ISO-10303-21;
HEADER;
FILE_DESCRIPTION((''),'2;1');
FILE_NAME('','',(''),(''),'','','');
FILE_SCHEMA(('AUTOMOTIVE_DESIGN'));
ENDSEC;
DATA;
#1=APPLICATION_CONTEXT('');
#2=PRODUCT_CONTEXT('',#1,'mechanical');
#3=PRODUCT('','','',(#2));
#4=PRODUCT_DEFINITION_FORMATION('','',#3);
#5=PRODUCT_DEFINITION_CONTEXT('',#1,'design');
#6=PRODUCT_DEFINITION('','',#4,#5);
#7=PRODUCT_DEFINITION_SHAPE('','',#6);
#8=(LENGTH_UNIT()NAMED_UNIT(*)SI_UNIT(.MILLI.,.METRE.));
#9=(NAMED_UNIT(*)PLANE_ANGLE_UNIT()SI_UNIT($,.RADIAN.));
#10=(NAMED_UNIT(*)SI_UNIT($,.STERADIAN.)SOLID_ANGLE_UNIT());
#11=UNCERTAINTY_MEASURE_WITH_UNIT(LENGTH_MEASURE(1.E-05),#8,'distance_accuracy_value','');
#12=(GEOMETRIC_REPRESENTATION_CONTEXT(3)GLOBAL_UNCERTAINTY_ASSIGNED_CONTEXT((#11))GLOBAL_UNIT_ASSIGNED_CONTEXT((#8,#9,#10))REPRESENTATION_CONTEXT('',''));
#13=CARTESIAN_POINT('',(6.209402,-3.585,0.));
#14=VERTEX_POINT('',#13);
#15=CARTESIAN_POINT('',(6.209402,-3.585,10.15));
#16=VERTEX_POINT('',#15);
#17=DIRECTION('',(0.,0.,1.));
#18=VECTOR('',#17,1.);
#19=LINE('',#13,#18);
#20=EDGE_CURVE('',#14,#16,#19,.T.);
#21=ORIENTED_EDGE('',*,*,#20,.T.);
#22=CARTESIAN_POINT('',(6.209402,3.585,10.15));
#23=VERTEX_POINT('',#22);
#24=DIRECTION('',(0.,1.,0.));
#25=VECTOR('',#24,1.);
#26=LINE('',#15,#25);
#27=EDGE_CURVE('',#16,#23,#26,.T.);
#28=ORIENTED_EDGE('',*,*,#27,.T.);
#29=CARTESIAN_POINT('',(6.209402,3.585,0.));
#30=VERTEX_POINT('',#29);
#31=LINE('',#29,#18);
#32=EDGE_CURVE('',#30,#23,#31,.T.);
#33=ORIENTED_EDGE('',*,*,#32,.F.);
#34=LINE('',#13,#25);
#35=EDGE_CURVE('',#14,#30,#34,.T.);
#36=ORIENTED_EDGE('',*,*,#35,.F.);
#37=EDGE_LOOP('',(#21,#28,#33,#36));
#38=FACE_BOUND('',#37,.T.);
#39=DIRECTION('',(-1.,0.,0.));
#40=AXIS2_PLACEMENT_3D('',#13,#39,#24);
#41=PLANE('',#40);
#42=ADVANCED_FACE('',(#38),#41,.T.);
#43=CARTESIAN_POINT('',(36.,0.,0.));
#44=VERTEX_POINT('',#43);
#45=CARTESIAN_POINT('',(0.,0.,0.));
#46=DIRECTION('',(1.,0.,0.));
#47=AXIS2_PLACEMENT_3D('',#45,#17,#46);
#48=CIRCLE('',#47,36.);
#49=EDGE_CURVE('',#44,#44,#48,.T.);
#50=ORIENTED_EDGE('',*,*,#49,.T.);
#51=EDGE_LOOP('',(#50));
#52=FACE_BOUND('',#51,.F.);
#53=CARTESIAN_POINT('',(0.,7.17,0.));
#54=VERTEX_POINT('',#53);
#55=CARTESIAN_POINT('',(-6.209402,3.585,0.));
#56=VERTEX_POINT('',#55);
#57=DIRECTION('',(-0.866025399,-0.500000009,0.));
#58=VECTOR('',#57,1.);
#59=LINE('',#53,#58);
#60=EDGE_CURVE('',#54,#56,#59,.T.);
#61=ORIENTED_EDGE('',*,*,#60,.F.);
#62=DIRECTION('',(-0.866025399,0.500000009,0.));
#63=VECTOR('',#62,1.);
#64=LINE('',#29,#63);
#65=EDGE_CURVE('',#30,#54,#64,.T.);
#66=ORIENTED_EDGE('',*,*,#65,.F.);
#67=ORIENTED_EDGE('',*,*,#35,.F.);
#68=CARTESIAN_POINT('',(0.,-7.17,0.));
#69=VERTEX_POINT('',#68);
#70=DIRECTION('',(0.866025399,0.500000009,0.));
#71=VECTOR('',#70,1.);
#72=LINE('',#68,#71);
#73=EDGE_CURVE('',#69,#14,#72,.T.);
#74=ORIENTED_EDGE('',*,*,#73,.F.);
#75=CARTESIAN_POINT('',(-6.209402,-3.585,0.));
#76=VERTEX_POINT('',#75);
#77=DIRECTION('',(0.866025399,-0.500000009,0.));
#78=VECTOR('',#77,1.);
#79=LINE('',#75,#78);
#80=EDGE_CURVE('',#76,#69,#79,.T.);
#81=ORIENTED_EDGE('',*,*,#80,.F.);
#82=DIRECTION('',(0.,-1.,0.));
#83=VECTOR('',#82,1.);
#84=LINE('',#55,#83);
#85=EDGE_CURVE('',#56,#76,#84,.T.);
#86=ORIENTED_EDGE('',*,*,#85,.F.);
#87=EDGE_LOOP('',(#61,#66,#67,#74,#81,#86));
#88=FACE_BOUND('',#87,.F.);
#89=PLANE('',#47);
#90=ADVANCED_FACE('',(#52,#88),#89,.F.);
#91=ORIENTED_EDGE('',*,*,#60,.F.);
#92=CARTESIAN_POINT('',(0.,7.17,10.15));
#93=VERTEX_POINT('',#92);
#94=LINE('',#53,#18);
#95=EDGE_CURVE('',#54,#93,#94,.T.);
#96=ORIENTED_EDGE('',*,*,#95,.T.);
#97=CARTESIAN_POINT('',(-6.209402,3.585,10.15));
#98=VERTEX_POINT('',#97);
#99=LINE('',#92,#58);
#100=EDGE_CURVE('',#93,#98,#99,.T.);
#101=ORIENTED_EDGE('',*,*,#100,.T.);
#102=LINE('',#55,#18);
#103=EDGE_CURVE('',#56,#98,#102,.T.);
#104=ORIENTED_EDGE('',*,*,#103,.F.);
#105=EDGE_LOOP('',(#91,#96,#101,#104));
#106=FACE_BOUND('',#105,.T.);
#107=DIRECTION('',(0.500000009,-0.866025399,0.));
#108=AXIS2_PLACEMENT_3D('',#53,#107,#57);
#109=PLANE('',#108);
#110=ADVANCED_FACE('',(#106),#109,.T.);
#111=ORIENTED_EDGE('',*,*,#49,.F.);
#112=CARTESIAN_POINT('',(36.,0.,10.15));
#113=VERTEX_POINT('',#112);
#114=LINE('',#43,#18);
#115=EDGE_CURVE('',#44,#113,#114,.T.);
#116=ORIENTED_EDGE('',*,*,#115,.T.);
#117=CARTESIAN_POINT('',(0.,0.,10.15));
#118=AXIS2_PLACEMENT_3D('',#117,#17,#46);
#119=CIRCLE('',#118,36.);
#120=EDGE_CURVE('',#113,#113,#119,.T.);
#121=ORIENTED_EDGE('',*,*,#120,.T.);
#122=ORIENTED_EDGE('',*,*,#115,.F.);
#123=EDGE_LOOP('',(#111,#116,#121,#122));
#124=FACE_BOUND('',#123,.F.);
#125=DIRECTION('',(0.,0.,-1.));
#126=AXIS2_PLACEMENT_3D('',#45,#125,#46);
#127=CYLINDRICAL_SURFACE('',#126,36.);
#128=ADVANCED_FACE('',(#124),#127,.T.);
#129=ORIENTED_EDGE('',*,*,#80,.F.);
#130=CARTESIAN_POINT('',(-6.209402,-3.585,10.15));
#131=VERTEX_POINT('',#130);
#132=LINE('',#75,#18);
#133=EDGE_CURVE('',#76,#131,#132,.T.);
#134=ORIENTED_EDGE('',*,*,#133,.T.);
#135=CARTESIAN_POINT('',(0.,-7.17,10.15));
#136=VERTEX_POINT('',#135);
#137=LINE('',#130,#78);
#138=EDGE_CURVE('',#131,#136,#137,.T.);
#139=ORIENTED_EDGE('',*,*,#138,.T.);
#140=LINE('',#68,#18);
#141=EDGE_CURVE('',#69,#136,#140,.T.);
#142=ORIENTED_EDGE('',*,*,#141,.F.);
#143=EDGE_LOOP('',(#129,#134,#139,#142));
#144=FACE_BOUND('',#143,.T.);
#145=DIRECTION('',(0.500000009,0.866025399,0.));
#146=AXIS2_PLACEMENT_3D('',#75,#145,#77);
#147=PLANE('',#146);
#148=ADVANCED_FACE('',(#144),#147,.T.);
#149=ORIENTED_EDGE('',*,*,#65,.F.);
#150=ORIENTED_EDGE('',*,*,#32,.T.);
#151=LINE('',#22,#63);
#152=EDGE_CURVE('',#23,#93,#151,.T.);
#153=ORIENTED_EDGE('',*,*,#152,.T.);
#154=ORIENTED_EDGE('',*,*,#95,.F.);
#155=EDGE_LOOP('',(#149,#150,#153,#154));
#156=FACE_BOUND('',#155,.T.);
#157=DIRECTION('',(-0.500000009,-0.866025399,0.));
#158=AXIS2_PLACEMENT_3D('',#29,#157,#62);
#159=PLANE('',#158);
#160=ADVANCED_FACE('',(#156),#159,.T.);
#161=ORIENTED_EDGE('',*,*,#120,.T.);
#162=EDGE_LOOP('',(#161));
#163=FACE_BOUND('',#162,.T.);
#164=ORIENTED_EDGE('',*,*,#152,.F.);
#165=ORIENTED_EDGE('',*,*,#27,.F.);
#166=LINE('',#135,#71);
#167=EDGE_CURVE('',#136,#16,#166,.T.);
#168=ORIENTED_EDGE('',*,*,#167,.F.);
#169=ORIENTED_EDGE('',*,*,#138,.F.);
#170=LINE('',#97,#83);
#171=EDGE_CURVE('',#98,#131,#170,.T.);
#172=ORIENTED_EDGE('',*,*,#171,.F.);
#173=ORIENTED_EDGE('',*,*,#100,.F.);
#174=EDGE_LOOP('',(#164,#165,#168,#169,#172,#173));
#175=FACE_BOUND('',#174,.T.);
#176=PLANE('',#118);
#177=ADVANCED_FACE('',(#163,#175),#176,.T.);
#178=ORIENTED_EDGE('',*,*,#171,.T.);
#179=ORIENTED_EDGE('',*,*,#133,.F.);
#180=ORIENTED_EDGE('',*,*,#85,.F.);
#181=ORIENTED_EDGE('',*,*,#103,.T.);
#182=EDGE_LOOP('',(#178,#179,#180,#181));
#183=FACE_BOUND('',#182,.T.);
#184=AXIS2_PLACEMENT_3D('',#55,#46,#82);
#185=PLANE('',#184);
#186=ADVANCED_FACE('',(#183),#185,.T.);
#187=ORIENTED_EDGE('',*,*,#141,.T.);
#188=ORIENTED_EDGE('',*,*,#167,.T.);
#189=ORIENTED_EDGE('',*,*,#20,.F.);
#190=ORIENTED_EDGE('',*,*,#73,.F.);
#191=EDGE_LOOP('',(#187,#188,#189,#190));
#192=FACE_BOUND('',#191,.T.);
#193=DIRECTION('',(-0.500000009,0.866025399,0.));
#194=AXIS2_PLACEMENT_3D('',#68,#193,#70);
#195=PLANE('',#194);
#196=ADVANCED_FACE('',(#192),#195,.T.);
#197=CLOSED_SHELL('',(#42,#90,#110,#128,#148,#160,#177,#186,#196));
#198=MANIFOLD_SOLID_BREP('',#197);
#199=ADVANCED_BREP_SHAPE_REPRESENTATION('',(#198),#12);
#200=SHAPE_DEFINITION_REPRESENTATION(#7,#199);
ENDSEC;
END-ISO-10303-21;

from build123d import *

# Parameters (mm, degrees)
SKETCH_R  = 36
PAD_DEPTH = 10.15


with BuildPart() as part:
    # Sketch → Pad (new body)
    with BuildSketch(Plane.XY):
        Circle(SKETCH_R)
        Polygon((0, 7.17), (-6.209402, 3.585), (-6.209402, -3.585), (0, -7.17), (6.209402, -3.585), (6.209402, 3.585), align=None, mode=Mode.SUBTRACT)
    extrude(amount=PAD_DEPTH)


solid = part.part
